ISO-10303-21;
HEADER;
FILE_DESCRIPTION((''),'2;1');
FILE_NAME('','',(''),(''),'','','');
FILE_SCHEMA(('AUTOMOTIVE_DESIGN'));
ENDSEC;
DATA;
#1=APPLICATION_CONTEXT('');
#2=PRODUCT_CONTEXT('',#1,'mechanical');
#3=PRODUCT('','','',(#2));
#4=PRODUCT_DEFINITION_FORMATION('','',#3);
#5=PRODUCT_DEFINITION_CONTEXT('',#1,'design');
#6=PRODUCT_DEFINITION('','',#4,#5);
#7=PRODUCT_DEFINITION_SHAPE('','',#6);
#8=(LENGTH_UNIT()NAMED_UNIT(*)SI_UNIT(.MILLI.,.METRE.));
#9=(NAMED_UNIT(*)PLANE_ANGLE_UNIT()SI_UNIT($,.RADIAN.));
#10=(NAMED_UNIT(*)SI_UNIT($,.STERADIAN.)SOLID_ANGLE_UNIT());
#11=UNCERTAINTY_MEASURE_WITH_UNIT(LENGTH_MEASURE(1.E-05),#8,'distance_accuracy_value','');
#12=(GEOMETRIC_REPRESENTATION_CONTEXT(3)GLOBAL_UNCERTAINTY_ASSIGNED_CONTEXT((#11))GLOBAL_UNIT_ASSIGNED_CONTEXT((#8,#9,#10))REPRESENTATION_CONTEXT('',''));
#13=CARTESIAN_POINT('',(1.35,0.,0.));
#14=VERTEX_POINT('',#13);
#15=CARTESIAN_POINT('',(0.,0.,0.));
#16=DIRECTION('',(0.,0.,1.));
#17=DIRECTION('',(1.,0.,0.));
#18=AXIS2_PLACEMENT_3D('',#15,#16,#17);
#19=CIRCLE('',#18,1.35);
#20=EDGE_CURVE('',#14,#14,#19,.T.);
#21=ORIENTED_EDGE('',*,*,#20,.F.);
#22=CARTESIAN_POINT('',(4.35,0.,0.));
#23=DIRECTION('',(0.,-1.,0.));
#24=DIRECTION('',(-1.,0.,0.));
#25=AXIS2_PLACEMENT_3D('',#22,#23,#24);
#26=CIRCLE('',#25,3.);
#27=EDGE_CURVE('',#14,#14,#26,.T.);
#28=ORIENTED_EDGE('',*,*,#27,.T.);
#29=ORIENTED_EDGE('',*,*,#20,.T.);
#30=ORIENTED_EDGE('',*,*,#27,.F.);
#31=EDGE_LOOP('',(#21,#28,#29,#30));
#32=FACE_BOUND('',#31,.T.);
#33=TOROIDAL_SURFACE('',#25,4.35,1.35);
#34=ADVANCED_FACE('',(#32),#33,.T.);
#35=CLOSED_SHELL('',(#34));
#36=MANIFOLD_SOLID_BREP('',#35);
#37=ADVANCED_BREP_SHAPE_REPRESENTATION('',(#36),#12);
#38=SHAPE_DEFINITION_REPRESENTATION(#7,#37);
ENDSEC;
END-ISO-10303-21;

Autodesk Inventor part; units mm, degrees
ref_plane "YZ Plane" through (0, 0, 0) normal (1, 0, 0) x (0, 1, 0)
ref_plane "XZ Plane" through (0, 0, 0) normal (0, 1, 0) x (-1, 0, 0)
ref_plane "XY Plane" through (0, 0, 0) normal (0, 0, 1) x (1, 0, 0)
sketch "Sketch1" plane through (0, 0, 0) normal (0, 0, 1) x (1, 0, 0)
  circle A0 centre (0, 0) radius 1.35
  line L0 (4.35, 2.1646) -> (4.35, -1.915) construction
  dimension "d0" = 1.35
  dimension "d1" = 5.7
  dimension "d2" = 4.8588
  dimension "d3" = 4.7529
revolve "Revolution1" add sketch "Sketch1" angle 360 about axis through (4.35, 2.1646, 0) along (0, -1, 0)
properties part number "12C VALVE BONNET SEAL" material "Rubber"
